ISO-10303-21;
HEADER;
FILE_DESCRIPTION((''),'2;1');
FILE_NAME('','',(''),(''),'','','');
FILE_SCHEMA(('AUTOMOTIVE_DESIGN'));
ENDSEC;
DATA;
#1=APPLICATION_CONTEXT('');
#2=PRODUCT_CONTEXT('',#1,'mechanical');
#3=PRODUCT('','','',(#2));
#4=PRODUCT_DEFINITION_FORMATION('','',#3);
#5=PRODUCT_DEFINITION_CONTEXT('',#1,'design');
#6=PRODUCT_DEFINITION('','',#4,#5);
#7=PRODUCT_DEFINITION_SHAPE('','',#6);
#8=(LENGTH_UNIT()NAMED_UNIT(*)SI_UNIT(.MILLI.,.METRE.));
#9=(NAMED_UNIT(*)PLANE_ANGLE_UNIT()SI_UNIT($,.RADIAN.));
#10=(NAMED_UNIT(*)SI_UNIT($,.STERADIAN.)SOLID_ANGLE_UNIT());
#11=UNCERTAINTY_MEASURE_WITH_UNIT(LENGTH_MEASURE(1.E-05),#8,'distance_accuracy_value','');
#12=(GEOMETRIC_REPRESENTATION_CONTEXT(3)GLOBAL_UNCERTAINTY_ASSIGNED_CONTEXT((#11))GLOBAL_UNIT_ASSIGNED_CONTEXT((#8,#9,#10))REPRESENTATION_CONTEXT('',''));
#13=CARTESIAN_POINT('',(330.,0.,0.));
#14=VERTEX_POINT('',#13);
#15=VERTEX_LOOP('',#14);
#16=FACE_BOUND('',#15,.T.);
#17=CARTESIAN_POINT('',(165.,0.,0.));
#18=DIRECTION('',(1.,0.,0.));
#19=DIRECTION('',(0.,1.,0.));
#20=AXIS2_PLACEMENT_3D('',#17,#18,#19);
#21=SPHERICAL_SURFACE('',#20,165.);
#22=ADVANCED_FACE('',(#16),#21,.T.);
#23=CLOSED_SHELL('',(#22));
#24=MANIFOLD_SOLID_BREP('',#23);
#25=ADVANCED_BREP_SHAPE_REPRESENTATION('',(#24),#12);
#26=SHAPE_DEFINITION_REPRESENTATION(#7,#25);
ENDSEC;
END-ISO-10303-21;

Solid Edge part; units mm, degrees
sketch "Sketch1" plane through (0, 0, 0) normal (0, 0, 1) x (1, 0, 0)
  arc A0 (0, 0) -> (330, 0) centre (165, 0) cw
  line L0 (0, 0) -> (330, 0)
revolve "RevolvedProtrusion1" add sketch "Sketch1" angle 360 about axis through (0, 0, 0) along (1, 0, 0)
properties part number "BumbleB0508"
